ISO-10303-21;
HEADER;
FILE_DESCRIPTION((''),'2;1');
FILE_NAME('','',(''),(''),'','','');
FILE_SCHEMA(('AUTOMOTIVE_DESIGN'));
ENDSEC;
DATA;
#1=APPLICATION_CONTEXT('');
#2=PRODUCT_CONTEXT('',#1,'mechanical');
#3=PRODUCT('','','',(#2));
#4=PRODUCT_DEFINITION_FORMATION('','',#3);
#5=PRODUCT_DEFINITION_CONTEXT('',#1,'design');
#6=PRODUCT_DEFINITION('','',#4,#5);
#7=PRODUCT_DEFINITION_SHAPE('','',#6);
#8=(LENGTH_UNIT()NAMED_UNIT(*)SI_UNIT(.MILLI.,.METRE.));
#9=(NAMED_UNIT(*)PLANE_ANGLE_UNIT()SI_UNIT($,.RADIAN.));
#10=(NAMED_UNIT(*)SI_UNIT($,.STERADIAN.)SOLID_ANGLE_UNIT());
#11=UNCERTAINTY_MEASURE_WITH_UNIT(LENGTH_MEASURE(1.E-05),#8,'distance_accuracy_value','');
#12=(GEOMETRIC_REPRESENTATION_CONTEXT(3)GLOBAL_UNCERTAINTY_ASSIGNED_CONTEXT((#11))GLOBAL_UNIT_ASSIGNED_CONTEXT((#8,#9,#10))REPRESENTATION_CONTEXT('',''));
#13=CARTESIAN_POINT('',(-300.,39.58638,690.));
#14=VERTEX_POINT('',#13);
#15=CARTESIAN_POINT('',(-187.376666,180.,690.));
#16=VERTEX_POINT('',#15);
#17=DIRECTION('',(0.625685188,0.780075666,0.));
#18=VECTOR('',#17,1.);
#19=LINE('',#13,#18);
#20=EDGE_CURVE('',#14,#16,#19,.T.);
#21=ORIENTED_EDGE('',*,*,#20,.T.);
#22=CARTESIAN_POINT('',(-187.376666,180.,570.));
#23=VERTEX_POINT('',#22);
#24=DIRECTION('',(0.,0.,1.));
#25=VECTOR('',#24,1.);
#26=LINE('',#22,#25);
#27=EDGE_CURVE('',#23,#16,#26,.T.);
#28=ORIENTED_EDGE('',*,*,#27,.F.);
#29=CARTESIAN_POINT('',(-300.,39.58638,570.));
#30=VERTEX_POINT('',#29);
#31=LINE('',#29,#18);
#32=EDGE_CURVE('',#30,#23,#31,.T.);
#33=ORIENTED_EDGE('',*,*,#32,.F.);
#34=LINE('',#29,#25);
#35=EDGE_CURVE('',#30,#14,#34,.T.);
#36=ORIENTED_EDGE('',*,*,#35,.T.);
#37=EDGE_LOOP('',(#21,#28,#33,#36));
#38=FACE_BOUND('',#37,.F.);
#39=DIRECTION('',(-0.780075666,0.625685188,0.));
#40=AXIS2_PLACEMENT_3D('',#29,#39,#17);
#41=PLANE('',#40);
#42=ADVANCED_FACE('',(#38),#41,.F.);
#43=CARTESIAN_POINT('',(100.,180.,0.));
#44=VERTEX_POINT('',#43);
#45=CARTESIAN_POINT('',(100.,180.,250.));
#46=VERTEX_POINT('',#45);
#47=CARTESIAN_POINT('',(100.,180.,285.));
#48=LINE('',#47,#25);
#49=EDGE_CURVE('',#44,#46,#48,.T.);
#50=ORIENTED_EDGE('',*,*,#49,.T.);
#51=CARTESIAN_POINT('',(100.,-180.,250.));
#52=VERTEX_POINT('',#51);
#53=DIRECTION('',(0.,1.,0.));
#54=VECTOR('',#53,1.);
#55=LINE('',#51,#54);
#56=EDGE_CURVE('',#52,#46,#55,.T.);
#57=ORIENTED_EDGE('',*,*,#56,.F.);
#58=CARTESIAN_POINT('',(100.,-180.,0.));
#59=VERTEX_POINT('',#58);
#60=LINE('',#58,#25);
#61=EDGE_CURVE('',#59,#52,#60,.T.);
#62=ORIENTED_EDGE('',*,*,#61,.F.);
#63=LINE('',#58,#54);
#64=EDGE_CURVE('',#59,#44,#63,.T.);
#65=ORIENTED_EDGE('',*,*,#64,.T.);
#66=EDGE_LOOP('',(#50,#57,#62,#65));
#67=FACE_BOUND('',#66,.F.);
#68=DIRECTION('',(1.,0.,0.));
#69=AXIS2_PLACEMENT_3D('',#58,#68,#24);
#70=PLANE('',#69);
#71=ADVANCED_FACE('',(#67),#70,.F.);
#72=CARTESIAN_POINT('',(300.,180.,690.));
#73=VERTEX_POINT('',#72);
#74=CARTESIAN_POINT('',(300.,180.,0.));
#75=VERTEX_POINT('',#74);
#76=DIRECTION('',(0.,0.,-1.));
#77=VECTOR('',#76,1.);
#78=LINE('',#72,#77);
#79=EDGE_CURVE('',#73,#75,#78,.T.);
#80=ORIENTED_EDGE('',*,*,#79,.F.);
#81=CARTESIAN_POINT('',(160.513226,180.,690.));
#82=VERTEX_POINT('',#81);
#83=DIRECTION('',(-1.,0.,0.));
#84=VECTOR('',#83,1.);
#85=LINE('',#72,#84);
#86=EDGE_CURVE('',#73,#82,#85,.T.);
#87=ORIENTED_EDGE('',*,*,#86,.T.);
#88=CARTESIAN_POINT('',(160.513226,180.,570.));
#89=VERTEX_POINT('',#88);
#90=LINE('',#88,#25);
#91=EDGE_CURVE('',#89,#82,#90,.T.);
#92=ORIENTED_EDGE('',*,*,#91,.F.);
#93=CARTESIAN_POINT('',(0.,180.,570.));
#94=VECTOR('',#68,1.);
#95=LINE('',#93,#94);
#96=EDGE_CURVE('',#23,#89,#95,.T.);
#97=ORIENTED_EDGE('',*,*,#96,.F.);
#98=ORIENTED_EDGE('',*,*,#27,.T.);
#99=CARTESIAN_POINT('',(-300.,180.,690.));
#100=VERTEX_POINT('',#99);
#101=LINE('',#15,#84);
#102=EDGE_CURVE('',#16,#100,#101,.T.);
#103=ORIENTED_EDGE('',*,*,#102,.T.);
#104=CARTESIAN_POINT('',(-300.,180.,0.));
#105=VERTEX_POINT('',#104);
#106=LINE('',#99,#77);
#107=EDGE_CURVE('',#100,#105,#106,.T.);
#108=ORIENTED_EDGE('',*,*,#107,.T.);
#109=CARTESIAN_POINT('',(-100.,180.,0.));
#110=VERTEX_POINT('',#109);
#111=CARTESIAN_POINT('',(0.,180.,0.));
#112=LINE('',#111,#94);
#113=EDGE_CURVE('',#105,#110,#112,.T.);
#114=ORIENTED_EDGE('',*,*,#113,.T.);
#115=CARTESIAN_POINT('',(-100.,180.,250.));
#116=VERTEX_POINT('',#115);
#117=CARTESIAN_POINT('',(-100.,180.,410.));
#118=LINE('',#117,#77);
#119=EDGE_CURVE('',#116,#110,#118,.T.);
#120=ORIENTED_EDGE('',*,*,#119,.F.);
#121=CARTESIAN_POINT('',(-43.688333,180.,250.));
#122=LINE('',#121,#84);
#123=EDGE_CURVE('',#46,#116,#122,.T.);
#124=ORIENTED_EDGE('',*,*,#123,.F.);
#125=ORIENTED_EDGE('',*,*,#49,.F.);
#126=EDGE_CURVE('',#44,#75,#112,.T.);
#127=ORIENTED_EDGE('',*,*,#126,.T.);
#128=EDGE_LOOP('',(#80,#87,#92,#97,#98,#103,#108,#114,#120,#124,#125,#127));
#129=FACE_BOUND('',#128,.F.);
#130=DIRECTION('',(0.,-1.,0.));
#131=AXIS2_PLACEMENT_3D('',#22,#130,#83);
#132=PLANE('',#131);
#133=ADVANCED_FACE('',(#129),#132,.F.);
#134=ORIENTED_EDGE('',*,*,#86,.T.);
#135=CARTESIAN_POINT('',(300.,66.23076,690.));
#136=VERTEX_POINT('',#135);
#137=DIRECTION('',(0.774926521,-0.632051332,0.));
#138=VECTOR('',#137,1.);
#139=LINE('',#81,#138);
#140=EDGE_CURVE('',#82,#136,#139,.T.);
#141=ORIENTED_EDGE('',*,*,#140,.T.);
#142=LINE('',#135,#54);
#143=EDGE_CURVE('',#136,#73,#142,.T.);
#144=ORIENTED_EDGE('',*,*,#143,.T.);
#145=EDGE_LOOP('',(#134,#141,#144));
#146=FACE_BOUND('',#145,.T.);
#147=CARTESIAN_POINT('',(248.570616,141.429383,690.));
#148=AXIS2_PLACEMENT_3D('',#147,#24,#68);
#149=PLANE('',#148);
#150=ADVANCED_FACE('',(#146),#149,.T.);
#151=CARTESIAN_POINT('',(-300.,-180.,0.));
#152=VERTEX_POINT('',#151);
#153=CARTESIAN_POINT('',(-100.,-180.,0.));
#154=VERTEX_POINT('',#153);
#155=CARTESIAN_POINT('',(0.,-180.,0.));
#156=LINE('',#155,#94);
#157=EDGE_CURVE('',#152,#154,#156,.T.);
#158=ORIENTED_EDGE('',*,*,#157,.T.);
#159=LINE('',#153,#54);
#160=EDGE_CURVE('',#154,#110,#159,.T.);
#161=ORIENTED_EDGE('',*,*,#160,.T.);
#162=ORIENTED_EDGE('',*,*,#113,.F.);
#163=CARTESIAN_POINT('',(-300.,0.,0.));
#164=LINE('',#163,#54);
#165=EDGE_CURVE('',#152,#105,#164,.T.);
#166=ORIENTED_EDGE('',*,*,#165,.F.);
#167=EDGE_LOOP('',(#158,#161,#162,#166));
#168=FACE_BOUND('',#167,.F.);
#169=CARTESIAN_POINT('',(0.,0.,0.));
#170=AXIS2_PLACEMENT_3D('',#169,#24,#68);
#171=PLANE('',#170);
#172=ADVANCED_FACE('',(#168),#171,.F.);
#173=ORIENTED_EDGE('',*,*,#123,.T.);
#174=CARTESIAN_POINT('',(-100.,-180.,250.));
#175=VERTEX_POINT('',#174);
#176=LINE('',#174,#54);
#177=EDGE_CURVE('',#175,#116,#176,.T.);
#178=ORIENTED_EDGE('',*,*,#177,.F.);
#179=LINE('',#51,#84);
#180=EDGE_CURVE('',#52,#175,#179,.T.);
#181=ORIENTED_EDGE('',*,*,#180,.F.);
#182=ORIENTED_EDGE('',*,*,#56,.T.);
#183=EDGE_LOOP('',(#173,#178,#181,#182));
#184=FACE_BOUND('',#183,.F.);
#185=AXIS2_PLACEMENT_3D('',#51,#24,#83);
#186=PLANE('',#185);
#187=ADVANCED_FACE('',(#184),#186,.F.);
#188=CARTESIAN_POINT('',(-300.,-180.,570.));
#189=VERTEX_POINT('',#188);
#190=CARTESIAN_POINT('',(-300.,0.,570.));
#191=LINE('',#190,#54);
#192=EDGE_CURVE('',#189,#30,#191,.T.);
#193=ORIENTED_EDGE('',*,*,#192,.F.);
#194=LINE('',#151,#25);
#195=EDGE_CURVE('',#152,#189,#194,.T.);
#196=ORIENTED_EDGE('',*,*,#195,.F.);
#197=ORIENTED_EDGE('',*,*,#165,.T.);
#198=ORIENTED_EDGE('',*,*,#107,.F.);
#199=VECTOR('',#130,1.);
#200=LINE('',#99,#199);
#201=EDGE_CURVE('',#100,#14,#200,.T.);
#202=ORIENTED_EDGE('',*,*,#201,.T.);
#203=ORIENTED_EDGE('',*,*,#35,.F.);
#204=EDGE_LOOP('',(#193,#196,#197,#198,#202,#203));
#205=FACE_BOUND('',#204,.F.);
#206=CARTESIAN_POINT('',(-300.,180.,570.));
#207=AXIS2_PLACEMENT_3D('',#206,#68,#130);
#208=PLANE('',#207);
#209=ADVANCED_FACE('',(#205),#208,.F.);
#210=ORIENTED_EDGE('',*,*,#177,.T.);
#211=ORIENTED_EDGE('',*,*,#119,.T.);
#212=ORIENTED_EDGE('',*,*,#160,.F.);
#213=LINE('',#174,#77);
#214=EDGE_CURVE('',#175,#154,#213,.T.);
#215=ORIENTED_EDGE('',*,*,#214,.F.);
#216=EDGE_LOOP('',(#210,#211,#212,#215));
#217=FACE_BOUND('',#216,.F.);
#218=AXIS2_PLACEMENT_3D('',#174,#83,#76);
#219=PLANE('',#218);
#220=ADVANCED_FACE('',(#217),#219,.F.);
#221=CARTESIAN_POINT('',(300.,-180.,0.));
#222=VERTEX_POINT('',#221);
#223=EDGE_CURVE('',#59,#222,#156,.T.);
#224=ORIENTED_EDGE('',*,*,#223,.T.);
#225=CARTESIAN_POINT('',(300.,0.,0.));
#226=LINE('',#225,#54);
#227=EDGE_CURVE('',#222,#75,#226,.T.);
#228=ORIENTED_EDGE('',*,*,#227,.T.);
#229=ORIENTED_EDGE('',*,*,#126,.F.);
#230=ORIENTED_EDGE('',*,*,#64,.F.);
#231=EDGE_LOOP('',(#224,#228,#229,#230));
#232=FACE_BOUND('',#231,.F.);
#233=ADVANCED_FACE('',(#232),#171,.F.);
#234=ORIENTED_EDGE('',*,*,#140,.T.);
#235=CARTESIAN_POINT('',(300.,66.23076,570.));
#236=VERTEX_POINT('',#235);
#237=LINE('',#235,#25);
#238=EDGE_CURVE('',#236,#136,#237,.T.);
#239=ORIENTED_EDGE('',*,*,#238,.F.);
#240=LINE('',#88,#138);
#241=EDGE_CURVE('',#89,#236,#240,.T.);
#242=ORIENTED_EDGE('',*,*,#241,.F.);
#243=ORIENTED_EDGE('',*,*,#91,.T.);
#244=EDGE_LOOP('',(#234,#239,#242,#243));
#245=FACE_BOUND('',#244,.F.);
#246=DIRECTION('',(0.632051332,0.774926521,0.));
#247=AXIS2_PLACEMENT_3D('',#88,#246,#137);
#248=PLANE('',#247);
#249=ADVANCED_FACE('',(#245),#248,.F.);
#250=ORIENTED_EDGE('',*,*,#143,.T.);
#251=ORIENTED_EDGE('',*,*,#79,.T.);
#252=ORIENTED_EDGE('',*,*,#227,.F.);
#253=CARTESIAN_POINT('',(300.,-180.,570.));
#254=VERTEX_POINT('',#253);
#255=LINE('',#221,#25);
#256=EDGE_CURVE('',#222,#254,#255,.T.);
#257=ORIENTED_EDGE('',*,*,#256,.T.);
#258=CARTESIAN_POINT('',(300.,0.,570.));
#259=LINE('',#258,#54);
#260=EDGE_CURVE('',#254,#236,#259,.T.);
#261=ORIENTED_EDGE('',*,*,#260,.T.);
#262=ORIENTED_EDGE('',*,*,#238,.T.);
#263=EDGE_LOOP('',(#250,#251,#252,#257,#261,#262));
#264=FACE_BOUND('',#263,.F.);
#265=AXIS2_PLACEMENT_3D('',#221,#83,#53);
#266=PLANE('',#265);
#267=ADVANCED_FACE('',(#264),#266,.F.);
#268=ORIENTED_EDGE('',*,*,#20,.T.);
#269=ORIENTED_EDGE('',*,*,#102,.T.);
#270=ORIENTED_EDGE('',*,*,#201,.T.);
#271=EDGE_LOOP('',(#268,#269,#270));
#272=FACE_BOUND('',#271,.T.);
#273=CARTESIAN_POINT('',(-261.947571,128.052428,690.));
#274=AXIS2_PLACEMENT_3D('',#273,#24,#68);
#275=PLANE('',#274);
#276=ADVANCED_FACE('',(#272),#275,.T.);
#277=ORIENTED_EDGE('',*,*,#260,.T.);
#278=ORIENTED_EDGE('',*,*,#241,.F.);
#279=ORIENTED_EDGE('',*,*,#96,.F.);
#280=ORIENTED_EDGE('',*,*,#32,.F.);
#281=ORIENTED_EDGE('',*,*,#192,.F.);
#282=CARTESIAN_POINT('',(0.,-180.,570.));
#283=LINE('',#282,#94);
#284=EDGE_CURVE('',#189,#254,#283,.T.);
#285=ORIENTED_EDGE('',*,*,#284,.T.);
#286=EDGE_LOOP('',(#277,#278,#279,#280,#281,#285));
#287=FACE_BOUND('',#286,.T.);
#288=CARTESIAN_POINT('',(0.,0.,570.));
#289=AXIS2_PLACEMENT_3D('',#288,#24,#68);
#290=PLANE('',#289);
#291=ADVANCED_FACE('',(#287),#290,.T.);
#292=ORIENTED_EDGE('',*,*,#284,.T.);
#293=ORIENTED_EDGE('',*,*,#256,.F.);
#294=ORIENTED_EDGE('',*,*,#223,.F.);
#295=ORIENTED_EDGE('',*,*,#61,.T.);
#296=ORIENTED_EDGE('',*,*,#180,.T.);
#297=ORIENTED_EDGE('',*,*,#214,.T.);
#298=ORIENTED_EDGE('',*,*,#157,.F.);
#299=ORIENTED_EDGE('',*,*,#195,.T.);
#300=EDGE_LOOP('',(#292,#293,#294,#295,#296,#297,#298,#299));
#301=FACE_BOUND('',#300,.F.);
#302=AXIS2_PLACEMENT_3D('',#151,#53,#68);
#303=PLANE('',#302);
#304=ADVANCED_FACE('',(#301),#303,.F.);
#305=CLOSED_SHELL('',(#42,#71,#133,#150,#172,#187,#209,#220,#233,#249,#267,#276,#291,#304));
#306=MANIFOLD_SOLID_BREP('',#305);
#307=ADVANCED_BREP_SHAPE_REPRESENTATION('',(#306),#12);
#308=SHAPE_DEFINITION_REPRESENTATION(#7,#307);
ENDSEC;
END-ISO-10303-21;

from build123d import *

# Parameters (mm, degrees)
F0_W     = 600
F0_H     = 360
F1_DEPTH = 570
F3_DEPTH = 120
F5_DEPTH = 360.001


with BuildPart() as f1:
    # F0 (on Top) → F1 (new body)
    with BuildSketch(Plane.XY):
        Rectangle(F0_W, F0_H)
    extrude(amount=F1_DEPTH)

    # F2 (on face) → F3 (join)
    with BuildSketch(Plane.XY.offset(570)):
        Polygon((-300, 39.58638), (-187.376666, 180), (-300, 180), align=None)
        Polygon((300, 180), (160.513226, 180), (300, 66.23076), align=None)
    extrude(amount=F3_DEPTH)

    # F4 (on face) → F5 (cut, through all)
    with BuildSketch(Plane.XZ.offset(180)):
        Polygon((0, 0), (100, 0), (100, 250), (-100, 250), (-100, 0), align=None)
    extrude(amount=-F5_DEPTH, mode=Mode.SUBTRACT)


solid = f1.part
